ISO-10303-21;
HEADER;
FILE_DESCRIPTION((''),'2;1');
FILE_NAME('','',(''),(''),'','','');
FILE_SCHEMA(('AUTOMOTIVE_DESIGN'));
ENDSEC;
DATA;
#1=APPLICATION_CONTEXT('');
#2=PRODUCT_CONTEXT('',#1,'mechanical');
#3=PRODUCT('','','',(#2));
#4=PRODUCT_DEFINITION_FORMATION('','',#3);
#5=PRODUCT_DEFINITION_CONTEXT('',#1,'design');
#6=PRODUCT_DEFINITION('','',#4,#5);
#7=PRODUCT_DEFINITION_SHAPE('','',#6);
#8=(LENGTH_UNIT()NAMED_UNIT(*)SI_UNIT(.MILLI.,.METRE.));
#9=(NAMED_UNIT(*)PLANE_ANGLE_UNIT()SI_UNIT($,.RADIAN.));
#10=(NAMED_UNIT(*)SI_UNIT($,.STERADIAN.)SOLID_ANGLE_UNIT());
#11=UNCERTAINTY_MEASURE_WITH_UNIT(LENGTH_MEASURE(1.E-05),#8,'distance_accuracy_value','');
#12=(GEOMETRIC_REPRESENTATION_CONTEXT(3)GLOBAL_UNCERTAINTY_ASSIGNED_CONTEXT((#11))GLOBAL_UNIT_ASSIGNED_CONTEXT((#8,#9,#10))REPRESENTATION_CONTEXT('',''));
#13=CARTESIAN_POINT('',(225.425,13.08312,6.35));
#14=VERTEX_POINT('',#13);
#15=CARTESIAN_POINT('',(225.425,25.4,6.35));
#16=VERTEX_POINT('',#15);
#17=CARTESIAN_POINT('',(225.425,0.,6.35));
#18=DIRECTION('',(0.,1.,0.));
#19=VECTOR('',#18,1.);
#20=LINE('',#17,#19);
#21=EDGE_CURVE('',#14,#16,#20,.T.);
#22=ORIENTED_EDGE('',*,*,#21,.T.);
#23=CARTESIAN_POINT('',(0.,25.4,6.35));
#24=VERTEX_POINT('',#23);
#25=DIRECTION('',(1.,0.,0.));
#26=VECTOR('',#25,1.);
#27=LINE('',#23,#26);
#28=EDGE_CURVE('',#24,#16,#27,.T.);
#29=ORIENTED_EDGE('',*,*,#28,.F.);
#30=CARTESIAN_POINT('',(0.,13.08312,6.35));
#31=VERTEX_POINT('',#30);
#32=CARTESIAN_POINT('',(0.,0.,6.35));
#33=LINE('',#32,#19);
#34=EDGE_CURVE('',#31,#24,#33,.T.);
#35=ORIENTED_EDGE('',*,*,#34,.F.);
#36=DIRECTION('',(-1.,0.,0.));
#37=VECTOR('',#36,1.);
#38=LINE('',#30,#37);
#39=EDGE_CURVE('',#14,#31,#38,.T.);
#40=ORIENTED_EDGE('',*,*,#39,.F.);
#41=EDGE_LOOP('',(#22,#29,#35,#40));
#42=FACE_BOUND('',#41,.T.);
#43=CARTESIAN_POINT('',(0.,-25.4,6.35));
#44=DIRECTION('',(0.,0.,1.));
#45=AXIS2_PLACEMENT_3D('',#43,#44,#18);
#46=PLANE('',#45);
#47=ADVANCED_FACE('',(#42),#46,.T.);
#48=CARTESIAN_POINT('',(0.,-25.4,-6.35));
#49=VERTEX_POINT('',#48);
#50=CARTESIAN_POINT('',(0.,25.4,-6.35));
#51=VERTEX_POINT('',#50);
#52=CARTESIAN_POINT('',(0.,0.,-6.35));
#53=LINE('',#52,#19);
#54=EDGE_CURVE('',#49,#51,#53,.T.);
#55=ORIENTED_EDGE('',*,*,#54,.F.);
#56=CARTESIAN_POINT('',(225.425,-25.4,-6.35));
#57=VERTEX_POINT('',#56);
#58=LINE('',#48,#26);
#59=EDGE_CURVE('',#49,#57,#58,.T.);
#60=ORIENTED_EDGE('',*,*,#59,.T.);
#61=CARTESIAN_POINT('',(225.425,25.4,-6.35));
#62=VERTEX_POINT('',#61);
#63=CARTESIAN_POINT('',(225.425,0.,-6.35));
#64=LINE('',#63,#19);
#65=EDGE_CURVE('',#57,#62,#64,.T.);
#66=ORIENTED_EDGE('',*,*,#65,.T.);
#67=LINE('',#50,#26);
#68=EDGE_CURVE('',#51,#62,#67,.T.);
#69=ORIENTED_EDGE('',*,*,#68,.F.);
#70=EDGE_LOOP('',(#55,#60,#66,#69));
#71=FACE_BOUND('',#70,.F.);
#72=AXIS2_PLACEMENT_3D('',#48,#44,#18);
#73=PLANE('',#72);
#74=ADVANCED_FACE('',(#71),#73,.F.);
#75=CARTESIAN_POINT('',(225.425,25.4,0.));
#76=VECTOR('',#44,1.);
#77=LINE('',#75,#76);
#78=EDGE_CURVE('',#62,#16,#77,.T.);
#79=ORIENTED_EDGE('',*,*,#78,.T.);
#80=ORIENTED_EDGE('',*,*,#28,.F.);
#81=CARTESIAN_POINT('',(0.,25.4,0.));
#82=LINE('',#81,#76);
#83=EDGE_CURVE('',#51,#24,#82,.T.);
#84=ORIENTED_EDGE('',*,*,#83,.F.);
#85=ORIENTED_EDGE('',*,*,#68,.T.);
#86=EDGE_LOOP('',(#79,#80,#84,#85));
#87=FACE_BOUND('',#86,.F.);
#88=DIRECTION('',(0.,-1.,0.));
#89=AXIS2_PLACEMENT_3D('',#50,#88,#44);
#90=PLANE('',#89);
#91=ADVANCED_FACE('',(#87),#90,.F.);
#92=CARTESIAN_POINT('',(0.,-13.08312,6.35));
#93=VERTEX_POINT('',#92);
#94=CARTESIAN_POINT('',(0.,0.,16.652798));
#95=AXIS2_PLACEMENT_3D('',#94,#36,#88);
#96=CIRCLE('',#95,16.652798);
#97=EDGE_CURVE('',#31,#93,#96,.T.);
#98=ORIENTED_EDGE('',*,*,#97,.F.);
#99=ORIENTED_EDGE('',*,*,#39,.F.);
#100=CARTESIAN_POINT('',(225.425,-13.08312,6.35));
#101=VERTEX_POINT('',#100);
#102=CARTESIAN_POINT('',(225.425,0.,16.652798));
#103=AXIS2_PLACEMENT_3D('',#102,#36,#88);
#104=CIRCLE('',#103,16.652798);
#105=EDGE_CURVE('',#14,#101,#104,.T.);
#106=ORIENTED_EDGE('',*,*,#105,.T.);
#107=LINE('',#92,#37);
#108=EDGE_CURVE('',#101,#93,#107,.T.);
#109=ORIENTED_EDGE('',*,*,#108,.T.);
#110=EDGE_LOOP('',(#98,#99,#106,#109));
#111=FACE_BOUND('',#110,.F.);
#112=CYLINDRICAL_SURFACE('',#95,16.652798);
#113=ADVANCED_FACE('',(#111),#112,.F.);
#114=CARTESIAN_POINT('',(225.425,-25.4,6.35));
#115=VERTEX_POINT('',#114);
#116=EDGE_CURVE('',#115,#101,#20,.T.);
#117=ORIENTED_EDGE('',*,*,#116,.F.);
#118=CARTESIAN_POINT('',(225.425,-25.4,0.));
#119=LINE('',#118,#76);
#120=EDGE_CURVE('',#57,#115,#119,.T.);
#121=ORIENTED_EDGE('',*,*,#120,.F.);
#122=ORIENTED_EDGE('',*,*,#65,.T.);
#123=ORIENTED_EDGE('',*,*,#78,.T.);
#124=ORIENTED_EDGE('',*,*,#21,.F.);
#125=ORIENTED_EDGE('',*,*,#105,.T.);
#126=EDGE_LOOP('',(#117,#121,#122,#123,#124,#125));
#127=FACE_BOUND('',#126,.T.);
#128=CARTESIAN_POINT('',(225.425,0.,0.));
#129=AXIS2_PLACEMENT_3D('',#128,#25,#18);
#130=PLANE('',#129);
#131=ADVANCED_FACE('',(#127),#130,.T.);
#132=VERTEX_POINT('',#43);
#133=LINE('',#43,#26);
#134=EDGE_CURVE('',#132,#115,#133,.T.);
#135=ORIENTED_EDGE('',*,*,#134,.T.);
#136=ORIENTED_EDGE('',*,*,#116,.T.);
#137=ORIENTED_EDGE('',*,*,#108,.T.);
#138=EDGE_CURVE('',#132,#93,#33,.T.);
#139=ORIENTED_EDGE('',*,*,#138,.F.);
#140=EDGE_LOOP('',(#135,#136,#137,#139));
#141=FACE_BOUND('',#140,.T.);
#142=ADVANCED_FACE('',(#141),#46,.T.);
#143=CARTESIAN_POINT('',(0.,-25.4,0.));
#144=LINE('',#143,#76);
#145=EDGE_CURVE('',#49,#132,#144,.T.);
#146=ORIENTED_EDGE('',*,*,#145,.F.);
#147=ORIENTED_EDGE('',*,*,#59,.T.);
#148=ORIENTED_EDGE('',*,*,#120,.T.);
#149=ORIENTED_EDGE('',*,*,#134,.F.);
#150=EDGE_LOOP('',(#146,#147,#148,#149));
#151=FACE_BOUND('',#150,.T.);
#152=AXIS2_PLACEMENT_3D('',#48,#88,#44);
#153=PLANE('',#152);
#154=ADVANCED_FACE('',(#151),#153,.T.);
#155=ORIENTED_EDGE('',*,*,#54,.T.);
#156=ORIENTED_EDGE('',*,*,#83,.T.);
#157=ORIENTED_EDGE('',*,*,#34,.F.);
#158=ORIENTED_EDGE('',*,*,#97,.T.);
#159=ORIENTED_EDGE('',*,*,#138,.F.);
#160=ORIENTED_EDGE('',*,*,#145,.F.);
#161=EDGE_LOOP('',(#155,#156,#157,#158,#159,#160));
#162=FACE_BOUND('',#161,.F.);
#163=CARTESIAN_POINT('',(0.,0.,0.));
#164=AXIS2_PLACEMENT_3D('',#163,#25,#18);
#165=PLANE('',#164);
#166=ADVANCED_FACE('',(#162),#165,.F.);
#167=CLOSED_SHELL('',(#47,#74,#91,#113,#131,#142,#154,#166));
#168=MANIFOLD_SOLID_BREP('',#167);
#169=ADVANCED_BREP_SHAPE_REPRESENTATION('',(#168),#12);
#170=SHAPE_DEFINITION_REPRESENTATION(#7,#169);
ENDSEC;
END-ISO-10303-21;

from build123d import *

# Parameters (mm, degrees)
F0_W     = 50.8
F0_H     = 12.7
F1_DEPTH = 225.425
F2_R     = 16.652798
F3_DEPTH = 266.7


with BuildPart() as f1:
    # F0 (on Right) → F1 (new body)
    with BuildSketch(Plane.YZ):
        Rectangle(F0_W, F0_H)
    extrude(amount=F1_DEPTH)

    # F2 (on face) → F3 (cut)
    with BuildSketch(Plane(origin=(0, 0, 0), x_dir=(0, -1, 0), z_dir=(-1, 0, 0))):
        with Locations((0, 16.652798)):
            Circle(F2_R)
    extrude(amount=-F3_DEPTH, mode=Mode.SUBTRACT)


solid = f1.part
